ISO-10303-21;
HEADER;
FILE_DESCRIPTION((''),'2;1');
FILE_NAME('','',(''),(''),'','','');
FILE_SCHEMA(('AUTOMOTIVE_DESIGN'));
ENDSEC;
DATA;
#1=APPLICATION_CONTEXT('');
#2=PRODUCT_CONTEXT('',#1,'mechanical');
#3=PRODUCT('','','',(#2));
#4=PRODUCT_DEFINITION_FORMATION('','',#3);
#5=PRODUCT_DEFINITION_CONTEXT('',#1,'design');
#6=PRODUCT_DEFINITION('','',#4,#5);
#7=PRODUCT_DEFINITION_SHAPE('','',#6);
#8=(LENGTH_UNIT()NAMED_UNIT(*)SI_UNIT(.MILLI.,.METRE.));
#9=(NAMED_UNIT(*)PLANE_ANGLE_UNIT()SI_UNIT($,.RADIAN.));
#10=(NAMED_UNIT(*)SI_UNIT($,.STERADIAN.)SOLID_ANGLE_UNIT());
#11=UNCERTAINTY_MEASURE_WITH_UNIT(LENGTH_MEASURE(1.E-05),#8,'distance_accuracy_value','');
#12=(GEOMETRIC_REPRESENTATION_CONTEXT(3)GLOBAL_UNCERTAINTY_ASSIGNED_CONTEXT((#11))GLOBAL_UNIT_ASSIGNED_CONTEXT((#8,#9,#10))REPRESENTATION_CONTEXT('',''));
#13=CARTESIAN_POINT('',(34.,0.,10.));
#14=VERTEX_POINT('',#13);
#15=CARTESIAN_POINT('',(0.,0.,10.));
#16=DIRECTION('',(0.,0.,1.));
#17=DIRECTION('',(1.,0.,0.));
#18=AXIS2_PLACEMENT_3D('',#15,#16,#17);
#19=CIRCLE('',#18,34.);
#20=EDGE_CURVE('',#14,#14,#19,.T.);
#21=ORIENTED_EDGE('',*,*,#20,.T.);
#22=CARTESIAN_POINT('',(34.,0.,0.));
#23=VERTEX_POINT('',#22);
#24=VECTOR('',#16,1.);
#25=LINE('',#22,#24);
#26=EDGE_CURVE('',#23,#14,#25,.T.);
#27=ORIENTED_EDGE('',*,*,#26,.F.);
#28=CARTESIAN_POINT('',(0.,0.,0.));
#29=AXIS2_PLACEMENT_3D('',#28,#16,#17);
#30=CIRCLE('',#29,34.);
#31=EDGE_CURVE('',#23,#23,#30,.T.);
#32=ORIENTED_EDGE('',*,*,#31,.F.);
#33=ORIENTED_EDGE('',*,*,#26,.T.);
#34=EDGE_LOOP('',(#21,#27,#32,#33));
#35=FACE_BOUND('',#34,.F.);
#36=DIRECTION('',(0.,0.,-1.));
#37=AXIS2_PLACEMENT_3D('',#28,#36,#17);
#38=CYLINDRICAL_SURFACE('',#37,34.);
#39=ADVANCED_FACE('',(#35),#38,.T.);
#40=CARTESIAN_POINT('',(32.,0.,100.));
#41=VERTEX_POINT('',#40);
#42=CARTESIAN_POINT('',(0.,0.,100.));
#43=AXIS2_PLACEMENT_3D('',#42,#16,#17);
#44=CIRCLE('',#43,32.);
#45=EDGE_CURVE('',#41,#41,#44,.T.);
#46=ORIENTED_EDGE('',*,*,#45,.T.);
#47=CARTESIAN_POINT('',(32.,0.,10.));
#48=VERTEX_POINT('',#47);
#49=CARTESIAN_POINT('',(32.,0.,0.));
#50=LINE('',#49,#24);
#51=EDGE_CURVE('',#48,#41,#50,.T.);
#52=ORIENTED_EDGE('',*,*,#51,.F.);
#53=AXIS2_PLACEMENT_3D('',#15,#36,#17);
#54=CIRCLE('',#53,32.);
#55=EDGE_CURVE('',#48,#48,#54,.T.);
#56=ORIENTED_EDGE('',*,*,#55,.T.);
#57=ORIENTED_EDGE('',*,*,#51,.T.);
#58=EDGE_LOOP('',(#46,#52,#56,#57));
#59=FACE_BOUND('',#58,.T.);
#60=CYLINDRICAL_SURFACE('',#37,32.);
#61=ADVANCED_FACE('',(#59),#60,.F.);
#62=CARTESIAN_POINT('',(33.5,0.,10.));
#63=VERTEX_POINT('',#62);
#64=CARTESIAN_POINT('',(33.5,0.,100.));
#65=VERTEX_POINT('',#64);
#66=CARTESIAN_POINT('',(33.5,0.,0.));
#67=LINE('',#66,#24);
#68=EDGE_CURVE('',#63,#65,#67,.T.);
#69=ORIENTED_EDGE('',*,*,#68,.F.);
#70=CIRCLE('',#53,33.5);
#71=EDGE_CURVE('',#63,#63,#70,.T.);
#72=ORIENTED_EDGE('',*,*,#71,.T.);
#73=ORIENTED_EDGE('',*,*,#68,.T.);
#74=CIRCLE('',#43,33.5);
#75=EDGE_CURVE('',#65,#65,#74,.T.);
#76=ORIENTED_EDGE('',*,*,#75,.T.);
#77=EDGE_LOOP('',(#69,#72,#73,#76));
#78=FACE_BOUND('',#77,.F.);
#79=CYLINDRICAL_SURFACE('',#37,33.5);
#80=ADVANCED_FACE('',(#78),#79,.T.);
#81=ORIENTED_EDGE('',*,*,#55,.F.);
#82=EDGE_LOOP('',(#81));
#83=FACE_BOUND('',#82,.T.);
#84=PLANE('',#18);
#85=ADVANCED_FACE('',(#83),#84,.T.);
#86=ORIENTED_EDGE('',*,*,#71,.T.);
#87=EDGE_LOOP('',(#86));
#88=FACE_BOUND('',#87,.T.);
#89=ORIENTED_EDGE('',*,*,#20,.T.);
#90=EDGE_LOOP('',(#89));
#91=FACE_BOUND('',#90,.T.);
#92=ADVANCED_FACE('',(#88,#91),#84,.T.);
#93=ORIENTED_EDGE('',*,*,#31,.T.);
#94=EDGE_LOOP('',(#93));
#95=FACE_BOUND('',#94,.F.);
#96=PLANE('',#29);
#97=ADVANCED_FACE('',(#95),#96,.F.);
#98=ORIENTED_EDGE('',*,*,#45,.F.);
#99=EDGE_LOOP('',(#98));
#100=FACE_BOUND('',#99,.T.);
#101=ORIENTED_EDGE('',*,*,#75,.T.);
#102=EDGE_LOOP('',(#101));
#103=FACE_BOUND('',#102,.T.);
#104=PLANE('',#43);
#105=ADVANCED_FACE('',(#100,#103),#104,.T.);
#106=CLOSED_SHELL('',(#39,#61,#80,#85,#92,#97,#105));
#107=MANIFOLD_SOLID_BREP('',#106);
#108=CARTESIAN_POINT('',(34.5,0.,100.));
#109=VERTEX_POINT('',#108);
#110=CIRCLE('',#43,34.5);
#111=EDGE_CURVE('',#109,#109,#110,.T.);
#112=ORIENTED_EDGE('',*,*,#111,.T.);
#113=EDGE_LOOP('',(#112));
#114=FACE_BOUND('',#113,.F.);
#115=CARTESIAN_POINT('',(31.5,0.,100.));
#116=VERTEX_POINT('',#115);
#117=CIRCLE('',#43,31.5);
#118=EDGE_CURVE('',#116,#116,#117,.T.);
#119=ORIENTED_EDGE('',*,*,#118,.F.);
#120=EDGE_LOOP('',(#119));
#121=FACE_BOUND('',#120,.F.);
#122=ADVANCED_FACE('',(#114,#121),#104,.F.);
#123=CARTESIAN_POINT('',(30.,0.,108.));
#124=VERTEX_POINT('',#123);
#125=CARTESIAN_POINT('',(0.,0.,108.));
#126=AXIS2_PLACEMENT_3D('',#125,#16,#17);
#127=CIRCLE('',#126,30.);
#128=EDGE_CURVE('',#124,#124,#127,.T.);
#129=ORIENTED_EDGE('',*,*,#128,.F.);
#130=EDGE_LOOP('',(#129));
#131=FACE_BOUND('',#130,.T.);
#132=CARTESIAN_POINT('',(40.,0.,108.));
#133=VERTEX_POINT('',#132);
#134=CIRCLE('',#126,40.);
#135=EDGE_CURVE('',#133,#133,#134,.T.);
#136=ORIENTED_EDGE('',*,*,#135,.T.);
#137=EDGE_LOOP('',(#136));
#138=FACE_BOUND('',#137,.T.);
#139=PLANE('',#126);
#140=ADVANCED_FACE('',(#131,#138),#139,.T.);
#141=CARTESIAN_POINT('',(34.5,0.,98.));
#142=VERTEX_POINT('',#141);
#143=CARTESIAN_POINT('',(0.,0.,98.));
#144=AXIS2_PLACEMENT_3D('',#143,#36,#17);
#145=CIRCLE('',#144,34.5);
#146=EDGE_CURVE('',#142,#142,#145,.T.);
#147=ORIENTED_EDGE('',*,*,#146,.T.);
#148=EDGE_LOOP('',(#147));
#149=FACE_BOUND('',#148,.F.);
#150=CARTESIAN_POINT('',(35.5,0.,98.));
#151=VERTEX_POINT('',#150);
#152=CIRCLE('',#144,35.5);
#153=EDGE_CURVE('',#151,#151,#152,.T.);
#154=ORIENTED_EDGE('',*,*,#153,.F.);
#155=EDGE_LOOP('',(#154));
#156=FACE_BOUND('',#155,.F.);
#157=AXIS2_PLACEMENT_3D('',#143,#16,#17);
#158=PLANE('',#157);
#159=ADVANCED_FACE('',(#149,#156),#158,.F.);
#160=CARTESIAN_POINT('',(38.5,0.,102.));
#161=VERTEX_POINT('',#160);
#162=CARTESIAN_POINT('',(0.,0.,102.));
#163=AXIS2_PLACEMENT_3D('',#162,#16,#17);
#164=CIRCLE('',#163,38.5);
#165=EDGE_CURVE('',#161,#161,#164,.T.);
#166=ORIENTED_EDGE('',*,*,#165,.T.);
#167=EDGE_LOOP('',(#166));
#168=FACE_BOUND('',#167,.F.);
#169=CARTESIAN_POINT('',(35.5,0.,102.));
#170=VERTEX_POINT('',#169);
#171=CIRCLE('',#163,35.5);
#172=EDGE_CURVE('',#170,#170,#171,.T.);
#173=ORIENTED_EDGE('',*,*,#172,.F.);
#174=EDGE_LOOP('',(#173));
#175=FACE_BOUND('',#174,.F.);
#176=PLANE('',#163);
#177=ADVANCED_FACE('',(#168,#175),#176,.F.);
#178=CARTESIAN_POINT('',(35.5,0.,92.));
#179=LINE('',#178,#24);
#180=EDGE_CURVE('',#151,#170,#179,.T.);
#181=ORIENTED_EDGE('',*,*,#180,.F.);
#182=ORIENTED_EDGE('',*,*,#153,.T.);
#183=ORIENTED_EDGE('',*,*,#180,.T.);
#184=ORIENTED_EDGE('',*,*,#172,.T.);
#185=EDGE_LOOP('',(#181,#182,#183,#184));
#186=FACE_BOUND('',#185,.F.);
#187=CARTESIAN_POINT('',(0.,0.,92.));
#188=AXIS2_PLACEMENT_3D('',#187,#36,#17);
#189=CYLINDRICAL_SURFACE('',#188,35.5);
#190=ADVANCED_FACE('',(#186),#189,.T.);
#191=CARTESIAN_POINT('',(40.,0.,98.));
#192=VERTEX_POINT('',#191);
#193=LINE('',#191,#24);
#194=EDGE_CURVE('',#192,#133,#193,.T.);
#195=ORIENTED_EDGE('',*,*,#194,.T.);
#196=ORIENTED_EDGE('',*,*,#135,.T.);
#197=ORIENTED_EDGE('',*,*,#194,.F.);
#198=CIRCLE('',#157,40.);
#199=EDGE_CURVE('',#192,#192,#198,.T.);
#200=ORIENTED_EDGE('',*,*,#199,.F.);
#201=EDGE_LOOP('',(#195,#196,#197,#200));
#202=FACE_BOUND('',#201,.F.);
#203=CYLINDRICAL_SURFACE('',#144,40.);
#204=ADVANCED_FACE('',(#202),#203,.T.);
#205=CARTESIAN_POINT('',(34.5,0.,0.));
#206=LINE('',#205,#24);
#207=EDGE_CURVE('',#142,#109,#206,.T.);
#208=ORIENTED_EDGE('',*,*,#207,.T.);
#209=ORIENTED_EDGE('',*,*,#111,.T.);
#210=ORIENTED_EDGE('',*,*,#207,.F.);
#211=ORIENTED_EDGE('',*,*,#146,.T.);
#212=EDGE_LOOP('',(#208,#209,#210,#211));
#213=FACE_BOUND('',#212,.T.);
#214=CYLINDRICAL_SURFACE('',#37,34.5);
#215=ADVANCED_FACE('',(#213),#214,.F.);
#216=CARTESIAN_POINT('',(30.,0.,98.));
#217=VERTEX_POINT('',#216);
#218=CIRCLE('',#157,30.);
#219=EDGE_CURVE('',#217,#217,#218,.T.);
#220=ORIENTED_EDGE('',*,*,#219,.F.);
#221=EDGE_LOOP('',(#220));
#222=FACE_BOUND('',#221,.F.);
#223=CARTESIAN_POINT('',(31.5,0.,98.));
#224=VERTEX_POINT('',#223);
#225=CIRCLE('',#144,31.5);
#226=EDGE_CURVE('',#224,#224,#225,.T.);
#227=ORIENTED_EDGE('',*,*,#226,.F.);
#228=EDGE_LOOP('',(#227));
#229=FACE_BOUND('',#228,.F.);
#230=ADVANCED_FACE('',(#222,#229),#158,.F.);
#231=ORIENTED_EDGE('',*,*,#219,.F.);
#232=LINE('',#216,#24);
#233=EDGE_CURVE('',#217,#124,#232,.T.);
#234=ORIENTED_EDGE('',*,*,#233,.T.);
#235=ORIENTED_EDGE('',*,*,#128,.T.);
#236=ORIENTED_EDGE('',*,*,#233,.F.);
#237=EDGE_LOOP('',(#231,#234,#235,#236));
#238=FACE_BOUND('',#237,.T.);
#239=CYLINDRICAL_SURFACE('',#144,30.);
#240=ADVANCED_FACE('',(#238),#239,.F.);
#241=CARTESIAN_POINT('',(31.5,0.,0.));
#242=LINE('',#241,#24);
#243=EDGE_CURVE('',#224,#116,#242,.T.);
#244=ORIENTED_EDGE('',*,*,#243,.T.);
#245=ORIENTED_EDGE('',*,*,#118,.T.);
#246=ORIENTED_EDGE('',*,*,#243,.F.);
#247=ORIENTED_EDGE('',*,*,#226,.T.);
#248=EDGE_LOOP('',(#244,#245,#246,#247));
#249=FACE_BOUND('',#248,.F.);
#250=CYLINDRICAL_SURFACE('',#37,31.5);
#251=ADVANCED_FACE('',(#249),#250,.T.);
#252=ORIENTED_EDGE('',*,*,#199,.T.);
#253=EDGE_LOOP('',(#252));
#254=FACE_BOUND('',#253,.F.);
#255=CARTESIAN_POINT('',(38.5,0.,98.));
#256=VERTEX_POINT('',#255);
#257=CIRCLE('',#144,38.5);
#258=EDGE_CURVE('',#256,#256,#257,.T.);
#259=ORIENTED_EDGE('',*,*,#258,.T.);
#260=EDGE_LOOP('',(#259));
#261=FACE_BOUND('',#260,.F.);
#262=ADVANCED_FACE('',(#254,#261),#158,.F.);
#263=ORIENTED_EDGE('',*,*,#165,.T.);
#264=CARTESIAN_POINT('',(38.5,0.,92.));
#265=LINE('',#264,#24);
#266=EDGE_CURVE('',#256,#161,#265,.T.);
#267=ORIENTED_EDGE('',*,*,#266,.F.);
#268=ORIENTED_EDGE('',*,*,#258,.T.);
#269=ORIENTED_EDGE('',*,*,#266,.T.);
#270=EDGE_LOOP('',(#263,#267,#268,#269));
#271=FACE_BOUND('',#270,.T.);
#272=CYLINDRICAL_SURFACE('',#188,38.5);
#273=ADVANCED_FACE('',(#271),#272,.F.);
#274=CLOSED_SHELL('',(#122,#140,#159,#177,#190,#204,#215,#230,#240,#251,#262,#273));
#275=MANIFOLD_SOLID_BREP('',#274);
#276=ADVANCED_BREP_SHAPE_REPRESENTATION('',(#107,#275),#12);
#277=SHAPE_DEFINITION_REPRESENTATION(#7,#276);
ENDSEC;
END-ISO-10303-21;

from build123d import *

# Parameters (mm, degrees)
CYLINDER_R     = 34
CYLINDER_DEPTH = 10
TUBE_R         = 33.5
TUBE_R_2       = 32
TUBE_DEPTH     = 100
TUBE003_R      = 38.5
TUBE003_R_2    = 35.5
TUBE003_DEPTH  = 10
TUBE002_R      = 34.5
TUBE002_R_2    = 31.5
TUBE002_DEPTH  = 100
TUBE001_R      = 40
TUBE001_R_2    = 30
TUBE001_DEPTH  = 10


with BuildPart() as cilindro:
    # Cylinder → Cylinder (new body)
    with BuildSketch(Plane.XY):
        Circle(CYLINDER_R)
    extrude(amount=CYLINDER_DEPTH)


with BuildPart() as basura_34mmr:
    # Tube → Tube (new body)
    with BuildSketch(Plane.XY):
        Circle(TUBE_R)
        Circle(TUBE_R_2, mode=Mode.SUBTRACT)
    extrude(amount=TUBE_DEPTH)

    # Fusion: union Cilindro
    add(cilindro.part)


with BuildPart() as tube003:
    # Tube003 → Tube003 (new body)
    with BuildSketch(Plane.XY.offset(92)):
        Circle(TUBE003_R)
        Circle(TUBE003_R_2, mode=Mode.SUBTRACT)
    extrude(amount=TUBE003_DEPTH)


with BuildPart() as tube002:
    # Tube002 → Tube002 (new body)
    with BuildSketch(Plane.XY):
        Circle(TUBE002_R)
        Circle(TUBE002_R_2, mode=Mode.SUBTRACT)
    extrude(amount=TUBE002_DEPTH)


with BuildPart() as cut001:
    # Tube001 → Tube001 (new body)
    with BuildSketch(Plane.XY.offset(98)):
        Circle(TUBE001_R)
        Circle(TUBE001_R_2, mode=Mode.SUBTRACT)
    extrude(amount=TUBE001_DEPTH)

    # Cut: cut Tube002
    add(tube002.part, mode=Mode.SUBTRACT)

    # Cut001: cut Tube003
    add(tube003.part, mode=Mode.SUBTRACT)


solid = Compound([basura_34mmr.part, cut001.part])
